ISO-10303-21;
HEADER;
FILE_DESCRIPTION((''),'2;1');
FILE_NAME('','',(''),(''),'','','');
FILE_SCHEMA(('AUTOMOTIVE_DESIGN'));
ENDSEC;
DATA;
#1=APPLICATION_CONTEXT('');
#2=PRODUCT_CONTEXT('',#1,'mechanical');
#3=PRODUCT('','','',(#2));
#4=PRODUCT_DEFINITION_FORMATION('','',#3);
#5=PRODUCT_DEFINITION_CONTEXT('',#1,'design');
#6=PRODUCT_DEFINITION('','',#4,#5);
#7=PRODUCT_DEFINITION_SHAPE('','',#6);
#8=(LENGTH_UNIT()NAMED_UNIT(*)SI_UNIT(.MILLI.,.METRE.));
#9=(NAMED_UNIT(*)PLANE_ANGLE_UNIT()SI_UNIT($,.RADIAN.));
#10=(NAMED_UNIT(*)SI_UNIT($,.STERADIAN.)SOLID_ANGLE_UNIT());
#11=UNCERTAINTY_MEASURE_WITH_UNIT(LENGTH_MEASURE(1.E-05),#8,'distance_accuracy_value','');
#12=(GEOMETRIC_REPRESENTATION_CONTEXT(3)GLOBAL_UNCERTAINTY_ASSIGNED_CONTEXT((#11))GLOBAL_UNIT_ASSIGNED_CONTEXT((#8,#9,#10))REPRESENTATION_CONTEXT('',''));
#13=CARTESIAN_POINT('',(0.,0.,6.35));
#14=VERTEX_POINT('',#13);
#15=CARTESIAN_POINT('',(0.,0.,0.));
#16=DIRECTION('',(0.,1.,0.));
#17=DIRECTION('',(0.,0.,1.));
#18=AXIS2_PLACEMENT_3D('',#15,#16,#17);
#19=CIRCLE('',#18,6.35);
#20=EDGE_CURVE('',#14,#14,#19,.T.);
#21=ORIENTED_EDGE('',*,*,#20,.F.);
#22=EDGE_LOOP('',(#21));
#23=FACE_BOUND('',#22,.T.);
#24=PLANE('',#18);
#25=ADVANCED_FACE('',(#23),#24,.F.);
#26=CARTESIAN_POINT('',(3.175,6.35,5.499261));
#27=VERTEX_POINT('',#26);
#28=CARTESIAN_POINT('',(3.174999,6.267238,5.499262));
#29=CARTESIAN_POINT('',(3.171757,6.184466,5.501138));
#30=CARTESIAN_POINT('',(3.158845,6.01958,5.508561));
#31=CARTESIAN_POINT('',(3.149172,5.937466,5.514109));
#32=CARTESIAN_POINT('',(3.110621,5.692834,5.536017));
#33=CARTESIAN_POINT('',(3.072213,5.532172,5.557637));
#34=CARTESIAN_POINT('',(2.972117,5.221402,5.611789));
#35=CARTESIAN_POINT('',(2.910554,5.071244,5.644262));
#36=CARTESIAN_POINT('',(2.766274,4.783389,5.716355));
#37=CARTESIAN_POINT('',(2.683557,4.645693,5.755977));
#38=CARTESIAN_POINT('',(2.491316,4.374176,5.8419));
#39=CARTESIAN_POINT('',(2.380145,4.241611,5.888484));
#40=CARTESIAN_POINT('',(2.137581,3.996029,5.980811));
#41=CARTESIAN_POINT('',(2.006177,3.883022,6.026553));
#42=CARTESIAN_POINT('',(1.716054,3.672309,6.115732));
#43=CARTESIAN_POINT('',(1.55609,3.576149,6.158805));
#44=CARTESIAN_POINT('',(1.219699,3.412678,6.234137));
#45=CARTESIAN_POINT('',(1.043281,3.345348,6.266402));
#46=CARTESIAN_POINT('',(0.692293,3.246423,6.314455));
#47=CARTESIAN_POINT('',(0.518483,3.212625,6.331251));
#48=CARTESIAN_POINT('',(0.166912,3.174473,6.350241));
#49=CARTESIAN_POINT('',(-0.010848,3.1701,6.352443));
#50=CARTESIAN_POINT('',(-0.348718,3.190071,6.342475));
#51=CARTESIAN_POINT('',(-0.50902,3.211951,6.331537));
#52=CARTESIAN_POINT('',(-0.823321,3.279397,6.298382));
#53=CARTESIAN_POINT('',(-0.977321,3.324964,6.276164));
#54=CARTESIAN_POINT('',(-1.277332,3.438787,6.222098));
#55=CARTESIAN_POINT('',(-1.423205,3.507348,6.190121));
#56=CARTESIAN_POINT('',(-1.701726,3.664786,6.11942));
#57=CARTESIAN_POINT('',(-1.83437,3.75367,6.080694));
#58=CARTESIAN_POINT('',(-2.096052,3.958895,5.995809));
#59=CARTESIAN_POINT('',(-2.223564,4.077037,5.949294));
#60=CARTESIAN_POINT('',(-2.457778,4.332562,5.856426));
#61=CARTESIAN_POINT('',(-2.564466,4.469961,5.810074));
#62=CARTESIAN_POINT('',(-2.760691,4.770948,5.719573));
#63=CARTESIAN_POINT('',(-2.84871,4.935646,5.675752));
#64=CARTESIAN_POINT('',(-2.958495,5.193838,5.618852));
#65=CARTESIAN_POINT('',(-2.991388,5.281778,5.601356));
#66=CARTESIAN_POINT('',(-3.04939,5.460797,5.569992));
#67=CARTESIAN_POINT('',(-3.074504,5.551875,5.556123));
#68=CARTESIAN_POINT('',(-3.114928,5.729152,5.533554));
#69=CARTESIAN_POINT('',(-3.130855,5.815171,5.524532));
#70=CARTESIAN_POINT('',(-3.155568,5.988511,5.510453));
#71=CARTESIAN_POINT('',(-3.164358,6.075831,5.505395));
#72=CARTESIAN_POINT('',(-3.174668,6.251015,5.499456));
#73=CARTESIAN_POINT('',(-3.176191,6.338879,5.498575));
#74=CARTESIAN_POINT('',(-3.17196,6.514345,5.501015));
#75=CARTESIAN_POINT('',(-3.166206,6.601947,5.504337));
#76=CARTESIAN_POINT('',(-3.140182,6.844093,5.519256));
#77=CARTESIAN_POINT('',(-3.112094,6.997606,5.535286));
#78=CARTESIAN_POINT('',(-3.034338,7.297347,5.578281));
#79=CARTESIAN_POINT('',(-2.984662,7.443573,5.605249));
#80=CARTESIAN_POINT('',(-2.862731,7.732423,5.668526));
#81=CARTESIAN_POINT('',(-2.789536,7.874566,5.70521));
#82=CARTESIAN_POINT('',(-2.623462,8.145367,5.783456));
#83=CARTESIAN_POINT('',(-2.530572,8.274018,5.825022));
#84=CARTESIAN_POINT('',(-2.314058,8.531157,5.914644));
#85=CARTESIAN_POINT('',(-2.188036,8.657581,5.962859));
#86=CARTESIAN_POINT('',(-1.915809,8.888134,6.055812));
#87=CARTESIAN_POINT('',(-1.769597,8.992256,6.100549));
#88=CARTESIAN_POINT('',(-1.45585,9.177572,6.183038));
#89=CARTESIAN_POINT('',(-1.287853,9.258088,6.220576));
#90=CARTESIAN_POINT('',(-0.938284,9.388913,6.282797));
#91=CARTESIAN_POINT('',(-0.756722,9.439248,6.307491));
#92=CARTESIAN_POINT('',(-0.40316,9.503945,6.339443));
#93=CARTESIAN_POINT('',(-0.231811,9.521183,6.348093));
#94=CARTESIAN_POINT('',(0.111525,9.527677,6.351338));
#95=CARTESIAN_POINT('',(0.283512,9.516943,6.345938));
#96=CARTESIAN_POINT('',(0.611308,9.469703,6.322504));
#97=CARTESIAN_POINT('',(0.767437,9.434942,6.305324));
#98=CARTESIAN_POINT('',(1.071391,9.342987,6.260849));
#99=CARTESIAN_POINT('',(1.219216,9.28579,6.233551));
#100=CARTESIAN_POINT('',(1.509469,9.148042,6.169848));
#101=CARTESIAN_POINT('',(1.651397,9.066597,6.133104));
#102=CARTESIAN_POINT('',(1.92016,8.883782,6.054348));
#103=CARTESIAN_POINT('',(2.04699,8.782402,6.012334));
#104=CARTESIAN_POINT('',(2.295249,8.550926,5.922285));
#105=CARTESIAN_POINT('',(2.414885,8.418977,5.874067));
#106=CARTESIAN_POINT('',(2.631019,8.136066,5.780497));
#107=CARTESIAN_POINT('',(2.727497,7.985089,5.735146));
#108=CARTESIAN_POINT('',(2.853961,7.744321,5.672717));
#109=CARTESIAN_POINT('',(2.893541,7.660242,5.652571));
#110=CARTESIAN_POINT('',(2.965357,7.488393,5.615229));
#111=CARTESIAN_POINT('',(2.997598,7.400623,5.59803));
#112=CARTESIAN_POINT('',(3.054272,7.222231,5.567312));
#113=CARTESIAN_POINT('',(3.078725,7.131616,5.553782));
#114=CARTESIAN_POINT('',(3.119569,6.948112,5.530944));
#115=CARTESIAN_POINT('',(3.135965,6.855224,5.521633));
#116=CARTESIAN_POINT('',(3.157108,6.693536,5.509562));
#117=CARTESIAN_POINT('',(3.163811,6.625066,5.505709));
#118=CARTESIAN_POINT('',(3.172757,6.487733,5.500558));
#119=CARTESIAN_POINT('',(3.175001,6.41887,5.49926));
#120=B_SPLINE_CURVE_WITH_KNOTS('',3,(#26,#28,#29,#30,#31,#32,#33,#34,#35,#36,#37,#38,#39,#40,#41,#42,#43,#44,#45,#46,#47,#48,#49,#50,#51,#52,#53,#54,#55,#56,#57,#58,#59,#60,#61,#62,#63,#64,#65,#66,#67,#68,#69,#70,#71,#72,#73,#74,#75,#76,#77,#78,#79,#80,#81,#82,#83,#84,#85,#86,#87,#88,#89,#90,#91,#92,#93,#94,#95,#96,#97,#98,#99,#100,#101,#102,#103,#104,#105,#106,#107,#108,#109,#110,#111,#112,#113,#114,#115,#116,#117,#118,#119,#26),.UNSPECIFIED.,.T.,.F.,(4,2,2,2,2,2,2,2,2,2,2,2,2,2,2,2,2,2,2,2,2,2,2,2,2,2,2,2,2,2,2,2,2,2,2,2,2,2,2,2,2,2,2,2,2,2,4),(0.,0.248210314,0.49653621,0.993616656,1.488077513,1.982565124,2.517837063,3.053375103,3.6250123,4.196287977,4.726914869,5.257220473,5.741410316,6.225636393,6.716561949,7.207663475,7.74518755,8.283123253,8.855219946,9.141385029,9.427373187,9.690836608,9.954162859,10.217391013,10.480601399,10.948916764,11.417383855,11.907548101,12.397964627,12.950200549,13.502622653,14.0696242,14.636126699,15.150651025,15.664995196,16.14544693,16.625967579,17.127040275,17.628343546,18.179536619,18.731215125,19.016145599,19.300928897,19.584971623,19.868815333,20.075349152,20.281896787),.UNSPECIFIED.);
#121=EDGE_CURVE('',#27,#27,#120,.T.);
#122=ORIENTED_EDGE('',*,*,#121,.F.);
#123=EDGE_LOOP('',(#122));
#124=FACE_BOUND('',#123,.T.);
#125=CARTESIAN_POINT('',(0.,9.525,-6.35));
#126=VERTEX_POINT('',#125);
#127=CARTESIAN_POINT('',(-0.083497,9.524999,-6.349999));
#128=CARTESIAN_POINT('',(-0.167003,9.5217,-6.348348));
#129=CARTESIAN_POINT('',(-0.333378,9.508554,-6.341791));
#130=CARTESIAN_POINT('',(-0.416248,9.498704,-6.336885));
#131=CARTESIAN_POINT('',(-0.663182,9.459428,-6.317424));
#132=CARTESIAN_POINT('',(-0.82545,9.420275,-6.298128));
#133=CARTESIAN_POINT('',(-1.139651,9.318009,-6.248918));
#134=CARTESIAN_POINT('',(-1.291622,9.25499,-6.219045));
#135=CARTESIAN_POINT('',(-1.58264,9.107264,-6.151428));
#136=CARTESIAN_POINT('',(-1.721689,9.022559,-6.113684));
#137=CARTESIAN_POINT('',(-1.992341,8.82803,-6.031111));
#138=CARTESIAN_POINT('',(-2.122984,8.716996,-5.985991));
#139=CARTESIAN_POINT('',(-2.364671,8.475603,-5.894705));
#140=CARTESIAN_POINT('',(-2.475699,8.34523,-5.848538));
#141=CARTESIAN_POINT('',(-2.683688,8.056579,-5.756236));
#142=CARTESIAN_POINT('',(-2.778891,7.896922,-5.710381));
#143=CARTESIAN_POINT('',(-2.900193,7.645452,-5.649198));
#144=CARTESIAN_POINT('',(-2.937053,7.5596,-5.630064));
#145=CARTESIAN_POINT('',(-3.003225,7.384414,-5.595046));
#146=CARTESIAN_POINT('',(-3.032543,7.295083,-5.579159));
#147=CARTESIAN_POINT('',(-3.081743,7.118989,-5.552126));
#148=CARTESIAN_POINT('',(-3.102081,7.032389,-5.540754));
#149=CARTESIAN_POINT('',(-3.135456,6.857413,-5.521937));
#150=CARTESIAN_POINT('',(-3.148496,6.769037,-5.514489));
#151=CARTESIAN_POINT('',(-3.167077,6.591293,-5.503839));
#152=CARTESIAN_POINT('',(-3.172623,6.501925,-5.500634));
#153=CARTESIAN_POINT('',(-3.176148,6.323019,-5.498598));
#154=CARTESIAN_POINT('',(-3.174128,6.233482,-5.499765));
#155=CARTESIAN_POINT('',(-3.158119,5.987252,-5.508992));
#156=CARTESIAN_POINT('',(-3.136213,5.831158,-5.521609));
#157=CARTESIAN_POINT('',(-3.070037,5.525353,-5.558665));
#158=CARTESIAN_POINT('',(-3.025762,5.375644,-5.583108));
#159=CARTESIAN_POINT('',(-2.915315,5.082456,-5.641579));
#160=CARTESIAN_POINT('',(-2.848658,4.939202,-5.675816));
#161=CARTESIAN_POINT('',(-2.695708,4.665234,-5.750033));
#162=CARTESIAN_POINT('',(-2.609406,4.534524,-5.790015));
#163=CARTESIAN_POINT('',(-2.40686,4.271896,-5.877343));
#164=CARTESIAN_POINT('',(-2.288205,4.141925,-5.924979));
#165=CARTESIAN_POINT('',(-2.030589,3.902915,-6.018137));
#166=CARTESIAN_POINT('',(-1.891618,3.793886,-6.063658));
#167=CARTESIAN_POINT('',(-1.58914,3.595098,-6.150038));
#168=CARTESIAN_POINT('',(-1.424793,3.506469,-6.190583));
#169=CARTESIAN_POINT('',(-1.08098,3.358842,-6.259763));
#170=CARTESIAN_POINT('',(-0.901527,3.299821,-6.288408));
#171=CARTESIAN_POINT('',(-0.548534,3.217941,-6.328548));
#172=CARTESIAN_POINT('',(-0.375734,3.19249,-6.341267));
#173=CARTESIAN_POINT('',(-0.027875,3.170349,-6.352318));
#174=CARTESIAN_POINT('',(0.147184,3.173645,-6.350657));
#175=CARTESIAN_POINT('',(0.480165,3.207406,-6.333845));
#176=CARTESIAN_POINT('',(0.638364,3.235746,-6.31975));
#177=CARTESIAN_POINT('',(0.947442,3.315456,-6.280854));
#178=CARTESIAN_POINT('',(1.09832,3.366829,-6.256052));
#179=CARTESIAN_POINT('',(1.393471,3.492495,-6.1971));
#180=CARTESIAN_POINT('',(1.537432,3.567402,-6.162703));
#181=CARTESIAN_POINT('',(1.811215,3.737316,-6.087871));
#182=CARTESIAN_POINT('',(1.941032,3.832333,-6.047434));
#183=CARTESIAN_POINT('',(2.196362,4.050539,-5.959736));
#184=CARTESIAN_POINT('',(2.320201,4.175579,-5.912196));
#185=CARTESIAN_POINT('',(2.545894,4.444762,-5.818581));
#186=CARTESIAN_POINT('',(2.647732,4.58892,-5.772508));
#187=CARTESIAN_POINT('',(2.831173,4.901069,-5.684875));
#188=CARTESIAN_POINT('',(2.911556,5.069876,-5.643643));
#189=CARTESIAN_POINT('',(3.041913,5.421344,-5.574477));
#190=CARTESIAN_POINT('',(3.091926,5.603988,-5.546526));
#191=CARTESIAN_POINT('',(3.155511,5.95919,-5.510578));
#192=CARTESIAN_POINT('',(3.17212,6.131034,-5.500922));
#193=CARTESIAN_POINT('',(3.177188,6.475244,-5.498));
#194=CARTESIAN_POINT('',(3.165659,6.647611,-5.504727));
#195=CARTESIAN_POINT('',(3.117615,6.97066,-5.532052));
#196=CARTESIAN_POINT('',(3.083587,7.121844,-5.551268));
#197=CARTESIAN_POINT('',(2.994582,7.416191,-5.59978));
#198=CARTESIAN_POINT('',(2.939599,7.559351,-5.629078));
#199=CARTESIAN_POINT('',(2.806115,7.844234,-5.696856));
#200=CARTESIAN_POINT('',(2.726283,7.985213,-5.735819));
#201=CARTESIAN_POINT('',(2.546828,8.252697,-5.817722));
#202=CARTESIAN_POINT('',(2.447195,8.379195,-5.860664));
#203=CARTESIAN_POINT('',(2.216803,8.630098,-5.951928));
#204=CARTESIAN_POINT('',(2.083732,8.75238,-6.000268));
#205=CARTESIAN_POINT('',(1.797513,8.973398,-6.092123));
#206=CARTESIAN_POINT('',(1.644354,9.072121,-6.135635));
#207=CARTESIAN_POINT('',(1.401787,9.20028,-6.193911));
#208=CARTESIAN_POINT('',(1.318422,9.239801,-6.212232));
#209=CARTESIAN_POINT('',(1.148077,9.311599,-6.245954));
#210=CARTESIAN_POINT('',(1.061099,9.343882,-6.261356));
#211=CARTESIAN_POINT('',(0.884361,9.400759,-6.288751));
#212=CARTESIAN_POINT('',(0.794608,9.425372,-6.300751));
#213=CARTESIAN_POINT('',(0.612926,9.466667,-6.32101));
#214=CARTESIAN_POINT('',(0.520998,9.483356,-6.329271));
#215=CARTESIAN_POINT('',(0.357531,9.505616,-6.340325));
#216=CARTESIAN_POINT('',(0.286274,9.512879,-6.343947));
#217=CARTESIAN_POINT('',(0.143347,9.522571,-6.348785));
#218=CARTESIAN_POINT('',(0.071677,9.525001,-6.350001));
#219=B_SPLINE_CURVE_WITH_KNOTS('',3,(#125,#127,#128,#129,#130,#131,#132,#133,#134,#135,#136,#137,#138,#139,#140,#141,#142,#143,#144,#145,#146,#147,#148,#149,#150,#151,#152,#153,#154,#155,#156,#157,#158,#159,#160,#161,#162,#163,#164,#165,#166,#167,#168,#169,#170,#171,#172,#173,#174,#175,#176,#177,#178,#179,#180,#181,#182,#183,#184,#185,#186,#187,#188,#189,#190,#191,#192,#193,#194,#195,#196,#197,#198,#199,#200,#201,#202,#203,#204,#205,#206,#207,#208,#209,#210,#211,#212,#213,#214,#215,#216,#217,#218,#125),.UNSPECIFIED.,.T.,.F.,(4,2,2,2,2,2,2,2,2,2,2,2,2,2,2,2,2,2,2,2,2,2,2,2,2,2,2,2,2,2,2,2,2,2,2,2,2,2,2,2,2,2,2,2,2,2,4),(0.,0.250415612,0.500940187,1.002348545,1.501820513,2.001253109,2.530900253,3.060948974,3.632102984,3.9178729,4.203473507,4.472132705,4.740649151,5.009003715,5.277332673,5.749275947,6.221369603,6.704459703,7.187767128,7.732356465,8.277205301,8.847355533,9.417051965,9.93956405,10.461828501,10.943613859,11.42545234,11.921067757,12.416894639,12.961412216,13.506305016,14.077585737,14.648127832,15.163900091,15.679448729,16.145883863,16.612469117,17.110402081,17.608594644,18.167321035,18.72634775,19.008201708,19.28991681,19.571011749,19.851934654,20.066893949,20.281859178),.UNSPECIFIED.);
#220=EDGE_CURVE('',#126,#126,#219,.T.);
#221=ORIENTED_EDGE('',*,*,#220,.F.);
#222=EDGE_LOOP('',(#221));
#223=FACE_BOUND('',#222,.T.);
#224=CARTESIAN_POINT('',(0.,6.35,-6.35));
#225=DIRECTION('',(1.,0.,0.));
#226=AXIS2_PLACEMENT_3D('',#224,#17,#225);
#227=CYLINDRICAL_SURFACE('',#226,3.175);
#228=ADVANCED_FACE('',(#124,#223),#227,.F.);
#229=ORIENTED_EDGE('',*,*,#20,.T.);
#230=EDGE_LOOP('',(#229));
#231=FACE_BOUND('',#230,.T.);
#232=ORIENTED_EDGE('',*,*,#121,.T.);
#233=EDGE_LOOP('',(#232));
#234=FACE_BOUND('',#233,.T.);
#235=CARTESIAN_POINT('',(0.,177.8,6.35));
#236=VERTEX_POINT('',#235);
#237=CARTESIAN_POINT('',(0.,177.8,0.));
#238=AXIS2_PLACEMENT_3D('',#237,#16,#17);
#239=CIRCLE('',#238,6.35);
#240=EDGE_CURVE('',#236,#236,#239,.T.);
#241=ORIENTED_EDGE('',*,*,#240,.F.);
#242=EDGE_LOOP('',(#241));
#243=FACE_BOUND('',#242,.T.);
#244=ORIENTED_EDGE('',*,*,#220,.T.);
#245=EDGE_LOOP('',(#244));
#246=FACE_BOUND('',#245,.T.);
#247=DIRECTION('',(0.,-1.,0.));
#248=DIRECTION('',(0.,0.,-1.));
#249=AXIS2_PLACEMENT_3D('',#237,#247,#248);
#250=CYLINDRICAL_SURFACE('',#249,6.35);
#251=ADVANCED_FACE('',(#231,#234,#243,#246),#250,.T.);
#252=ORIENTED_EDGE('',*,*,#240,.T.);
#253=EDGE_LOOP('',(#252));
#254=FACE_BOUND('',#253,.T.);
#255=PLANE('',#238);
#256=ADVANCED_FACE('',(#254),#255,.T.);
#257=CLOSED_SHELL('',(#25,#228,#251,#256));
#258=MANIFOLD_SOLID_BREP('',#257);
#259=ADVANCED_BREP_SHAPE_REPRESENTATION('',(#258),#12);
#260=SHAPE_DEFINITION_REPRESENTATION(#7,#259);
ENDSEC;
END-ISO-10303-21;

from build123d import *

# Parameters (mm, degrees)
SKETCH1_R               = 6.35
BOSS_EXTRUDE1_DEPTH     = 177.8
SKETCH2_R               = 3.175
CUT_EXTRUDE1_DEPTH      = 7.35
CUT_EXTRUDE1_DEPTH_BACK = 7.35


with BuildPart() as part:
    # Sketch1 → Boss-Extrude1 (new body)
    with BuildSketch(Plane(origin=(0, 0, 0), x_dir=(1, 0, 0), z_dir=(0, 1, 0))):
        with Locations(Location((0, 0, 0), (0, 0, 270))):  # turned: the seam where the file's is
            Circle(SKETCH1_R)
    extrude(amount=BOSS_EXTRUDE1_DEPTH)

    # Sketch2 → Cut-Extrude1 (cut, two sides)
    with BuildSketch(Plane.XY) as cut_extrude1_sk:
        with Locations((0, 6.35)):
            Circle(SKETCH2_R)
    extrude(amount=CUT_EXTRUDE1_DEPTH, mode=Mode.SUBTRACT)
    extrude(cut_extrude1_sk.sketch, amount=-CUT_EXTRUDE1_DEPTH_BACK, mode=Mode.SUBTRACT)


solid = part.part
